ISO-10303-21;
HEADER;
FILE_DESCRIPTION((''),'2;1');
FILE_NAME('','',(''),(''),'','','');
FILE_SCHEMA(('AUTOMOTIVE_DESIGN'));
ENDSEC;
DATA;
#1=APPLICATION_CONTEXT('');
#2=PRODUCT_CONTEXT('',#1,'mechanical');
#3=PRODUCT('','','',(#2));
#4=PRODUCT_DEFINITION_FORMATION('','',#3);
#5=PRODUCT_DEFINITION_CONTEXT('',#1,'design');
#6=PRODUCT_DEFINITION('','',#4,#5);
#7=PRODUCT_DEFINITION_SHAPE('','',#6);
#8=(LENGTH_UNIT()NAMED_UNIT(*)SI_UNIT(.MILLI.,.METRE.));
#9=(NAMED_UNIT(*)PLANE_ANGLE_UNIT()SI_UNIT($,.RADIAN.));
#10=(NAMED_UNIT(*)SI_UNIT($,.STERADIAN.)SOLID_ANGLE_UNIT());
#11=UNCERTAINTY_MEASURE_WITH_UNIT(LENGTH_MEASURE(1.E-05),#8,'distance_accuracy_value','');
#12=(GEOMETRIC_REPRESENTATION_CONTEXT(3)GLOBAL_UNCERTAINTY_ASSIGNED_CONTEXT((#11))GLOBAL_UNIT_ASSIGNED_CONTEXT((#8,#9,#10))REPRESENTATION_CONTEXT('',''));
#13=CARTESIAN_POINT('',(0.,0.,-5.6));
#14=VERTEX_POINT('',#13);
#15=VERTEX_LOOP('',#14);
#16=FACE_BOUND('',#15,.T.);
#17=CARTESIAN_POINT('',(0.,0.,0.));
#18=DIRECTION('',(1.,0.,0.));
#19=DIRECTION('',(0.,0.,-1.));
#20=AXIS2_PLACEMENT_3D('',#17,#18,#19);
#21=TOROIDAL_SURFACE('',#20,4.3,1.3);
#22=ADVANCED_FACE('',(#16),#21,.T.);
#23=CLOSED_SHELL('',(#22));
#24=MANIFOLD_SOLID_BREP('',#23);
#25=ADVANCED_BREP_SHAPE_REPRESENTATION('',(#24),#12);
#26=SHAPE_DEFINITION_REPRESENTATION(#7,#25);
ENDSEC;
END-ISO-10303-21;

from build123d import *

# Parameters (mm, degrees)
SKIZZE1_R = 1.3


with BuildPart() as part:
    # Skizze1 → Rotation1 (revolve)
    with BuildSketch(Plane.XY):
        with Locations((0, 4.3)):
            Circle(SKIZZE1_R)
    revolve(axis=Axis((-5.518776228, 0, 0), (-1, 0, 0)))


solid = part.part
